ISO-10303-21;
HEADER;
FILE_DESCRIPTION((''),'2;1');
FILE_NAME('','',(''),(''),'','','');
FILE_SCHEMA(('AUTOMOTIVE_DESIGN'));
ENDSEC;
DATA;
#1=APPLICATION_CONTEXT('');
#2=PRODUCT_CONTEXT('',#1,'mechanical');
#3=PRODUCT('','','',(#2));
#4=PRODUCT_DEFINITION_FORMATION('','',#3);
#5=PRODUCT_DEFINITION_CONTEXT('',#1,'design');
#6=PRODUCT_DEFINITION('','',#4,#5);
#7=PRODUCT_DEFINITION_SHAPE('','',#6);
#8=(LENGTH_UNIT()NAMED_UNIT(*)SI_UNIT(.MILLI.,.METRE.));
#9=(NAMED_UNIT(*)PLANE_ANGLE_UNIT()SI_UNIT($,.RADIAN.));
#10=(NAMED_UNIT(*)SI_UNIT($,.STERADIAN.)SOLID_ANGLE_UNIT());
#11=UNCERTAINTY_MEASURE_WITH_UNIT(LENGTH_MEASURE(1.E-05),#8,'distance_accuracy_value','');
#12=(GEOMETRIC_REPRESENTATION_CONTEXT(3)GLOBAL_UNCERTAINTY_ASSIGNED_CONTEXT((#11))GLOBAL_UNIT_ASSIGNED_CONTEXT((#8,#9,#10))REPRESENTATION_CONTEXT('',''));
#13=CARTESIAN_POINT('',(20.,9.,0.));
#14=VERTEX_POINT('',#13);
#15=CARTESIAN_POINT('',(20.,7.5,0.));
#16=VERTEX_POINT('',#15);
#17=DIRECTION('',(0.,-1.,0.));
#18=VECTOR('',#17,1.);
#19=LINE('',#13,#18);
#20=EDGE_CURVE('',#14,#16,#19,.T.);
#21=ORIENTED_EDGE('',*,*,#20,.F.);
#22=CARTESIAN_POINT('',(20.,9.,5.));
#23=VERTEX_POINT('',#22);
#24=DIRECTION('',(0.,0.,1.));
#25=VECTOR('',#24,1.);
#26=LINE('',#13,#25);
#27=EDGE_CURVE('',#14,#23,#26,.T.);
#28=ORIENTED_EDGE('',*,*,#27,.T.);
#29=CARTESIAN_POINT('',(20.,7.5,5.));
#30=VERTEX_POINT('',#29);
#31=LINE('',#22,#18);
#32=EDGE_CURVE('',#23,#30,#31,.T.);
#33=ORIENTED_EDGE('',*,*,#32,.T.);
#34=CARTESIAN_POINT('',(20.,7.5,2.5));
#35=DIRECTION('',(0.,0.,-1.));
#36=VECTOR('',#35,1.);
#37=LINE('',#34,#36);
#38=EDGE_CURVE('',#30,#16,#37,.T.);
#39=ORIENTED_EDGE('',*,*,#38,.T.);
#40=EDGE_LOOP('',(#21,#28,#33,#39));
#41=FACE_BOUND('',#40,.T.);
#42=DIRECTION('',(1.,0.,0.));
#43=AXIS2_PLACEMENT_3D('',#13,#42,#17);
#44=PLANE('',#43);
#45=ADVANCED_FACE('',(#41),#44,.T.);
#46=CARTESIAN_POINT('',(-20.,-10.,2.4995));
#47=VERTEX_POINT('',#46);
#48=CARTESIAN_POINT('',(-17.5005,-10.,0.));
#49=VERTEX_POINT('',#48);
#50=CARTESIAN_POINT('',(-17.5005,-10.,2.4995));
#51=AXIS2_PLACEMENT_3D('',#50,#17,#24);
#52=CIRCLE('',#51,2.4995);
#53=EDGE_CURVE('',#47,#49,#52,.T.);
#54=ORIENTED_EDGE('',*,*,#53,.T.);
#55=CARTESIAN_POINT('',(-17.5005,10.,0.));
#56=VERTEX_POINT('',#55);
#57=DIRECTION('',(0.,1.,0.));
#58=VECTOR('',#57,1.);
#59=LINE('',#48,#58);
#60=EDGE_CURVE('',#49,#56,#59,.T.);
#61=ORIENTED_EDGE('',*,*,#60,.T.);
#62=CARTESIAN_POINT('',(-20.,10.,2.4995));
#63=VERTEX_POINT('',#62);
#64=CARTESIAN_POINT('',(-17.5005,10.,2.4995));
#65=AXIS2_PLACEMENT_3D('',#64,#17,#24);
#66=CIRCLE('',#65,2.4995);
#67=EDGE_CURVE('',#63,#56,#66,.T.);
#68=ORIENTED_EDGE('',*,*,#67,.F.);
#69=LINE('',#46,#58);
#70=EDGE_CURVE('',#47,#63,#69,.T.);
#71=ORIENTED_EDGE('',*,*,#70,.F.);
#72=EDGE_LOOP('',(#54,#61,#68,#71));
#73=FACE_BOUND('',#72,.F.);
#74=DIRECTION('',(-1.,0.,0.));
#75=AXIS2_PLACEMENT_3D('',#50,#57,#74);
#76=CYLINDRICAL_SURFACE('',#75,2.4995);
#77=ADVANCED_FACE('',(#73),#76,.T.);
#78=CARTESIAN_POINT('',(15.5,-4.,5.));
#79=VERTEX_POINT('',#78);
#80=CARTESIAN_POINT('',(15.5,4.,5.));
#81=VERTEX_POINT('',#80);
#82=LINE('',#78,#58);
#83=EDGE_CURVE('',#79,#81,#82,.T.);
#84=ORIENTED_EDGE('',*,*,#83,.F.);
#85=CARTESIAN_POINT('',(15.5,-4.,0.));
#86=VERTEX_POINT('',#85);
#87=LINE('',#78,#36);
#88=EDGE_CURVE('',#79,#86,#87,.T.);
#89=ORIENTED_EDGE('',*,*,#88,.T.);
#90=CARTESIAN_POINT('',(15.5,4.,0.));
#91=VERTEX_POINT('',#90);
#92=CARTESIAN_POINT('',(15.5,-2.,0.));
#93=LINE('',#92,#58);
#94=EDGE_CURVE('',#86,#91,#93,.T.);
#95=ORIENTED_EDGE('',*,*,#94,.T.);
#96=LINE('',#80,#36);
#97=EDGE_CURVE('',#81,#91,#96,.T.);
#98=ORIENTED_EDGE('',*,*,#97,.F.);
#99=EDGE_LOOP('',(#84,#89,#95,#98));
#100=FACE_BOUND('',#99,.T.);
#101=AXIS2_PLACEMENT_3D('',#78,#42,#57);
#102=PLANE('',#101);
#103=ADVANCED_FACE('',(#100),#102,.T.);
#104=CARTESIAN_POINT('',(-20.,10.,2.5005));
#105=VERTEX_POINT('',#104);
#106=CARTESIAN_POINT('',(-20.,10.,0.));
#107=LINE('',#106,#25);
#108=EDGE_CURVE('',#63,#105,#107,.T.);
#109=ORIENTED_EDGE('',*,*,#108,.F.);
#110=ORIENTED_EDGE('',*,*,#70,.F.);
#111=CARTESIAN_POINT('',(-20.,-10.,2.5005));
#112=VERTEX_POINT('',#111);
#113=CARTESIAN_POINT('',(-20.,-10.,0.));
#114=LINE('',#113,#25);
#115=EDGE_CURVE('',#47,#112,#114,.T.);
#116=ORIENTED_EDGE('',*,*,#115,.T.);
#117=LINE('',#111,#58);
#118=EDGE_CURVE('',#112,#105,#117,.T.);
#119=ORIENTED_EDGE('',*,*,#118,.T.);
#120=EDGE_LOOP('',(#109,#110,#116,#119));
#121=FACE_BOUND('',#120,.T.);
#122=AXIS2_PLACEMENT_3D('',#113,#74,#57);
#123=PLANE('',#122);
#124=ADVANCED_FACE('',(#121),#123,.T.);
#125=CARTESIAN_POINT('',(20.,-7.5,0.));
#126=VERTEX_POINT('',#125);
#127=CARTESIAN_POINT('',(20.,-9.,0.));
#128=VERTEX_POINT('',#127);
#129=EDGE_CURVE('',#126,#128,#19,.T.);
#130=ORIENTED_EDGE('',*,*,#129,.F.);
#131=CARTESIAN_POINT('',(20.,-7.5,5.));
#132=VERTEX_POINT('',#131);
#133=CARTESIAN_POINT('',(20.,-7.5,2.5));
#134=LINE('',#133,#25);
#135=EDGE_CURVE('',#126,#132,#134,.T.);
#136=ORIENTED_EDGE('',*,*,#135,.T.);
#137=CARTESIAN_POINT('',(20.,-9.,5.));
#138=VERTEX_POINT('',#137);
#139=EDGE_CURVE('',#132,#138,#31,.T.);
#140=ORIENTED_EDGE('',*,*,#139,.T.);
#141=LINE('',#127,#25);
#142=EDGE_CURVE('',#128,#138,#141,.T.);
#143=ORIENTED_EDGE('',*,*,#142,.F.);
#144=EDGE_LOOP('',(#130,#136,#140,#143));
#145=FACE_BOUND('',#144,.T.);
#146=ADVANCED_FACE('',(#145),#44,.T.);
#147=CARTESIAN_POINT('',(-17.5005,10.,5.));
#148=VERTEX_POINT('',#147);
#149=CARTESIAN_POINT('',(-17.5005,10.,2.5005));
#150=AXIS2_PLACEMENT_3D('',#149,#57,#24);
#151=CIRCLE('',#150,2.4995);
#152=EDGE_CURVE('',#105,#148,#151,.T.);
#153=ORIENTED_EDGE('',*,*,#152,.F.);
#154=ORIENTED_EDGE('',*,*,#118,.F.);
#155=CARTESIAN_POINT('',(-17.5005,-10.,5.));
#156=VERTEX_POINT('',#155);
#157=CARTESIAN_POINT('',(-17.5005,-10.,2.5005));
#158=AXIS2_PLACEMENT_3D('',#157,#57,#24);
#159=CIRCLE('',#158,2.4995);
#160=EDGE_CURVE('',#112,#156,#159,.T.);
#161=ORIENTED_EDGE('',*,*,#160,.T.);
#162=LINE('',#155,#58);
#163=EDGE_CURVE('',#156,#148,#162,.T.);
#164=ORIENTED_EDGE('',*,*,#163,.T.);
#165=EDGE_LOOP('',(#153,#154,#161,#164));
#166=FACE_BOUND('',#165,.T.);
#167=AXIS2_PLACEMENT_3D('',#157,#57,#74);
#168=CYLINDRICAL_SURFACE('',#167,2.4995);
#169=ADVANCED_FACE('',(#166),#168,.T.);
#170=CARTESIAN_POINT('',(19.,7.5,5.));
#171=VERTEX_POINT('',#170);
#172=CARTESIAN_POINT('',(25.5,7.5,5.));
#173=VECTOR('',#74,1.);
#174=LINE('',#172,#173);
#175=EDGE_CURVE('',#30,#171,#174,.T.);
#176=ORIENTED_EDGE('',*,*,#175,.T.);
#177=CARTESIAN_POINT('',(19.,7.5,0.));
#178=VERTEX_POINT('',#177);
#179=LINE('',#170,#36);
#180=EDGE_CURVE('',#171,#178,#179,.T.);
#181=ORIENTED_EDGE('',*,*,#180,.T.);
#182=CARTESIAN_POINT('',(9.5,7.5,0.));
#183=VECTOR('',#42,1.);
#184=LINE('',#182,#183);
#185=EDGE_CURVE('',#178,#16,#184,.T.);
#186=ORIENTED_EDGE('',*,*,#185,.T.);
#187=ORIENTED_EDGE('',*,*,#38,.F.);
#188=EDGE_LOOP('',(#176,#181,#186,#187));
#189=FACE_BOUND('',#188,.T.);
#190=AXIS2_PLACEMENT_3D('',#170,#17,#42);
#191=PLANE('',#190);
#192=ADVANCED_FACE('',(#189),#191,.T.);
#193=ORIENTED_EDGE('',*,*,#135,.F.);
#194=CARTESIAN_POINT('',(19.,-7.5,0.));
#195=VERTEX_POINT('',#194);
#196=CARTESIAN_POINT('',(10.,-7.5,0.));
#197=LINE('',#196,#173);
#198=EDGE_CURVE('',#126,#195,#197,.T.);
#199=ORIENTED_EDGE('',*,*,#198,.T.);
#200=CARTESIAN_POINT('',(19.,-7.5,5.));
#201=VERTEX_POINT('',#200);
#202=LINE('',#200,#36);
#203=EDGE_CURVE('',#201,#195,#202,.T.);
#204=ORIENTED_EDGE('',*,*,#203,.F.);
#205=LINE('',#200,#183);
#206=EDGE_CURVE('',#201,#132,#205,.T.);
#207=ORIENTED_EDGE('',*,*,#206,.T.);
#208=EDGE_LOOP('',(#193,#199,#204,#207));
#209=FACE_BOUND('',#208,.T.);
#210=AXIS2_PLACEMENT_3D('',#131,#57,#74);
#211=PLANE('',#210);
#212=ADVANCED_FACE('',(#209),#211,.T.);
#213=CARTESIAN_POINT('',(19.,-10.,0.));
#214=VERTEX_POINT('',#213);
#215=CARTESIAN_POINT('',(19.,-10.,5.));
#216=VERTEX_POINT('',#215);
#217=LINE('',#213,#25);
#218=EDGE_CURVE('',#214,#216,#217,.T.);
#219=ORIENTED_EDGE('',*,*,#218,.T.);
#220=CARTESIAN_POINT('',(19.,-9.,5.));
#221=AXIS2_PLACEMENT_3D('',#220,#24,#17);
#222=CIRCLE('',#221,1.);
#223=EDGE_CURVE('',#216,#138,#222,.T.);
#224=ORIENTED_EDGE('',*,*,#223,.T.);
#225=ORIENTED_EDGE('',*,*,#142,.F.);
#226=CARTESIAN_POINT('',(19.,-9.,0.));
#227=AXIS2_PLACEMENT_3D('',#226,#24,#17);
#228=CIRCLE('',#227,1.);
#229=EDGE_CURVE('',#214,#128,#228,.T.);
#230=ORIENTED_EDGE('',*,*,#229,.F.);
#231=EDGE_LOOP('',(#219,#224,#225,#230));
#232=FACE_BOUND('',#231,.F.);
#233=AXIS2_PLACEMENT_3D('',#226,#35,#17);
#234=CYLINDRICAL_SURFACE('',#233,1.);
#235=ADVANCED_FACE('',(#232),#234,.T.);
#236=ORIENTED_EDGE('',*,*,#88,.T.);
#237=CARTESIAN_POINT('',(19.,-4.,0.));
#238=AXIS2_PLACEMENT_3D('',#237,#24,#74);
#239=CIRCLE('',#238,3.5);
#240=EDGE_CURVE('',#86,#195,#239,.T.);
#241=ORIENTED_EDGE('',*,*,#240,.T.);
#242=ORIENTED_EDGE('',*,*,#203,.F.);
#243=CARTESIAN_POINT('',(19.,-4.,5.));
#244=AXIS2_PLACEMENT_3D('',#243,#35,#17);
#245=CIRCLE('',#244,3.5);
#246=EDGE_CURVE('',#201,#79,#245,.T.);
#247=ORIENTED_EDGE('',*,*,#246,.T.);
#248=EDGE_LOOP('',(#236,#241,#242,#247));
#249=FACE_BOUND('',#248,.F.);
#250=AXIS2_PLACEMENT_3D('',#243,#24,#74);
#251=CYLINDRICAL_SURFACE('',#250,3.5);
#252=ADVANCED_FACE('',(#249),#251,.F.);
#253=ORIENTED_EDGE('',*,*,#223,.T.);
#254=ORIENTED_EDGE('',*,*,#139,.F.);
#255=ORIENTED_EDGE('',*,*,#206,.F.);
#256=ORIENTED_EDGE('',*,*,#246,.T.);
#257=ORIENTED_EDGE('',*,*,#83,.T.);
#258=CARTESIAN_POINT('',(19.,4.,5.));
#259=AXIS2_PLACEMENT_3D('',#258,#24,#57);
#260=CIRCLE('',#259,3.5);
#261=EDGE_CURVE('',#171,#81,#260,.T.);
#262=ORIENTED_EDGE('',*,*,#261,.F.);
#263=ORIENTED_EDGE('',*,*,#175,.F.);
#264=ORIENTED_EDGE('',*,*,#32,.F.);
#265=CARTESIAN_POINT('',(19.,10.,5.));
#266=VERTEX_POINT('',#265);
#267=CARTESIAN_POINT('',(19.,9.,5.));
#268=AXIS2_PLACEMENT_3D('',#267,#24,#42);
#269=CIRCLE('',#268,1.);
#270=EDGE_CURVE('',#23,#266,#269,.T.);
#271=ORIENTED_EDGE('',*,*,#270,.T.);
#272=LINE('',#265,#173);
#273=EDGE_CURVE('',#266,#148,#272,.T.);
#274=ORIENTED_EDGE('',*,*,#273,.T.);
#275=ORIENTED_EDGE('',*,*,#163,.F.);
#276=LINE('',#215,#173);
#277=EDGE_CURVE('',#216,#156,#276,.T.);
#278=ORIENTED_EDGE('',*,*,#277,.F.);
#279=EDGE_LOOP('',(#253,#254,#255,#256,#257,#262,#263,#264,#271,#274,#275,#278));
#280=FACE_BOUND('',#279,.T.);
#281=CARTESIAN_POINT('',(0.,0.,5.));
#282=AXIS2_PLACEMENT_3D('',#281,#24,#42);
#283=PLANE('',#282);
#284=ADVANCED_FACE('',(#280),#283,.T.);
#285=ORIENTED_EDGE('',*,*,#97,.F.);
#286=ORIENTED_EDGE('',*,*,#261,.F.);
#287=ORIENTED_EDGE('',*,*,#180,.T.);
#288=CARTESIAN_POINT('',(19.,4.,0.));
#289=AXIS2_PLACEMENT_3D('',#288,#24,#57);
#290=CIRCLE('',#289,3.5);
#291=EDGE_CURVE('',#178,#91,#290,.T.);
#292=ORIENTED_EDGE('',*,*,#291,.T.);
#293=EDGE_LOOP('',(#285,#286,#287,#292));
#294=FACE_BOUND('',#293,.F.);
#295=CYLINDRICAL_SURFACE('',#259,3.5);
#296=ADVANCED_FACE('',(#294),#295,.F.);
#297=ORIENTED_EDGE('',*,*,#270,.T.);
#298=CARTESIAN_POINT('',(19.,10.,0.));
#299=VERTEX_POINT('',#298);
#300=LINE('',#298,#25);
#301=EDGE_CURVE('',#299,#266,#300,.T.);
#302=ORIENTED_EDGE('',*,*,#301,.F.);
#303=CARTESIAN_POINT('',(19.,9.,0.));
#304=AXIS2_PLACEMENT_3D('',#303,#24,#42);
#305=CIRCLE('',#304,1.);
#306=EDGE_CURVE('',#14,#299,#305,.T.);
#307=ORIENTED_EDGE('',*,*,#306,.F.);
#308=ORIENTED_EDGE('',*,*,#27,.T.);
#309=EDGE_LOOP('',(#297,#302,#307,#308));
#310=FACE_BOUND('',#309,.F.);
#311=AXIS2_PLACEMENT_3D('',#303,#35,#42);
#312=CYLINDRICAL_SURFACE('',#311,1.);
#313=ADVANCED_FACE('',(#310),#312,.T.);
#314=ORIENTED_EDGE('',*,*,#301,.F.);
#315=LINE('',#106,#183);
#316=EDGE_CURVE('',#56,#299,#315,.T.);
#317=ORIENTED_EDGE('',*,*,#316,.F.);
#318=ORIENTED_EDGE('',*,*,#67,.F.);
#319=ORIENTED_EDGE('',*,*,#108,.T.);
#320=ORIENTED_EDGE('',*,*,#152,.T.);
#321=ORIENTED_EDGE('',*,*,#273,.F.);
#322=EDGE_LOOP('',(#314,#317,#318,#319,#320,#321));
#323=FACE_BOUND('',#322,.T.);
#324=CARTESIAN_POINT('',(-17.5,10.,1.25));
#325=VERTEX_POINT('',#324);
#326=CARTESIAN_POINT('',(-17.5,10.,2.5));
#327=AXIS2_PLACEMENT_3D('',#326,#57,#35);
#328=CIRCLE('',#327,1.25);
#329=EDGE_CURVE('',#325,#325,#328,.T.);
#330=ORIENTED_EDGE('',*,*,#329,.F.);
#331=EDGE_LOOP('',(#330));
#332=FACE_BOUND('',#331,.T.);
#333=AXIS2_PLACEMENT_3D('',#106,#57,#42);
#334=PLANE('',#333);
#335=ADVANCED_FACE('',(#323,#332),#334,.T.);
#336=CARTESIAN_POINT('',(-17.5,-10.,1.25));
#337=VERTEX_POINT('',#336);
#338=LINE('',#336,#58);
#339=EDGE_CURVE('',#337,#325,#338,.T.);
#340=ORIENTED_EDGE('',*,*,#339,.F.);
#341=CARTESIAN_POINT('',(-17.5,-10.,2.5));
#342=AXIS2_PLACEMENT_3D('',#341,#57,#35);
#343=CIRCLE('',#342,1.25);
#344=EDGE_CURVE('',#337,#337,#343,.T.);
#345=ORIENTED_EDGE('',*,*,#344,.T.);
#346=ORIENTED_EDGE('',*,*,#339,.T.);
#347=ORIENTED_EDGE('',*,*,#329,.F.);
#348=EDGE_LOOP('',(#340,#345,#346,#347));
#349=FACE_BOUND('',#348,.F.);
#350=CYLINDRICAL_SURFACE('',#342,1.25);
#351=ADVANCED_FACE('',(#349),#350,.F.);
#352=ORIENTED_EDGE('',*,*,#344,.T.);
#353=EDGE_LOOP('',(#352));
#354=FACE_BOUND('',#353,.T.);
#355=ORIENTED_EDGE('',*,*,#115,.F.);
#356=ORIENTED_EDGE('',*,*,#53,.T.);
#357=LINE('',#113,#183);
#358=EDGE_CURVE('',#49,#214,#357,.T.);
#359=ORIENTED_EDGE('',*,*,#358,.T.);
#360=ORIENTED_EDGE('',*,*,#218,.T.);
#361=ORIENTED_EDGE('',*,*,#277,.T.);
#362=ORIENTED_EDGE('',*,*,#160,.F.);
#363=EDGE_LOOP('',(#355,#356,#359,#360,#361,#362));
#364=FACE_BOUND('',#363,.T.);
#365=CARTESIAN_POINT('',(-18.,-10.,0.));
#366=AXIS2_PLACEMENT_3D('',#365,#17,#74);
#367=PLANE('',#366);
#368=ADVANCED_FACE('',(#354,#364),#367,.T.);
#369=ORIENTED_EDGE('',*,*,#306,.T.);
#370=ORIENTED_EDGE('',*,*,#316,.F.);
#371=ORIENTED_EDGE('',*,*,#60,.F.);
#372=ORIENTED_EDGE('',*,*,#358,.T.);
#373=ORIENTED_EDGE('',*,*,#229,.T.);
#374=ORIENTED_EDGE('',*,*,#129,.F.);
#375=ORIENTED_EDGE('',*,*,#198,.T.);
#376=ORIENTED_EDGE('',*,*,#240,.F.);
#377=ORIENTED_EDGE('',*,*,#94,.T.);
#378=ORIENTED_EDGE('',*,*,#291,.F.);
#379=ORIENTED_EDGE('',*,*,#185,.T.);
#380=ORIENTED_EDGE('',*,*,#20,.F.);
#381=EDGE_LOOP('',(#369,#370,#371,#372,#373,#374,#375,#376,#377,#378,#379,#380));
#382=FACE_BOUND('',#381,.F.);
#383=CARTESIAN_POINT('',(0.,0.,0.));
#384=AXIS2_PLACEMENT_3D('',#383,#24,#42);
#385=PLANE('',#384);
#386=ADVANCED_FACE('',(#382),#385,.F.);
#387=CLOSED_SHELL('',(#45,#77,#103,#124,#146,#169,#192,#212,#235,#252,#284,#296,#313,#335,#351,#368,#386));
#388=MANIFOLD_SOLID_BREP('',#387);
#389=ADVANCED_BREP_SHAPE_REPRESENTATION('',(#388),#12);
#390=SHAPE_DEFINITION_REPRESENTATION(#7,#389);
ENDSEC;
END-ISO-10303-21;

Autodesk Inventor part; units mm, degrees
ref_plane "YZ Plane" through (0, 0, 0) normal (1, 0, 0) x (0, 1, 0)
ref_plane "XZ Plane" through (0, 0, 0) normal (0, 1, 0) x (-1, 0, 0)
ref_plane "XY Plane" through (0, 0, 0) normal (0, 0, 1) x (1, 0, 0)
sketch "Boceto1" plane through (0, 0, 0) normal (0, 0, 1) x (1, 0, 0)
  line L0 (19, -10.5) -> (-20.5, -10.5) projected
  arc A0 (19, -10.5) -> (20.5, -9) centre (19, -9) ccw projected
  line L1 (20.5, 9) -> (20.5, -9) projected
  arc A1 (20.5, 9) -> (19, 10.5) centre (19, 9) ccw projected
  line L2 (-20.5, 10.5) -> (19, 10.5) projected
  line L3 (-20.5, -10.5) -> (-20.5, 10.5) projected
  line L4 (-21, -11) -> (19, -11)
  arc A2 (19, -11) -> (21, -9) centre (19, -9) ccw
  line L5 (21, -9) -> (21, 9)
  arc A3 (21, 9) -> (19, 11) centre (19, 9) ccw
  line L6 (19, 11) -> (-21, 11)
  line L7 (-21, 11) -> (-21, -11)
  spline S0 degree 3 poles (-19.1456, -15) (-19.0838, -15) (-18.9941, -14.9843) (-18.7809, -14.9428) (-18.6401, -14.9132) (-18.3299, -14.8682) (-18.1603, -14.854) (-18, -14.854) (-17.8397, -14.854) (-17.6701, -14.8682) (-17.3599, -14.9132) (-17.2191, -14.9428) (-17.0059, -14.9843) (-16.9162, -15) (-16.8544, -15) knots 0.670558 0.670558 0.670558 0.670558 0.714606 0.714606 0.762709 0.762709 0.810813 0.810813 0.810813 0.858917 0.858917 0.907021 0.907021 0.951069 0.951069 0.951069 0.951069 projected
  line L8 (-16.75, -15) -> (-19.25, -15) projected
  line L9 (-16.75, -15) -> (-19.25, -15) projected
  spline S1 degree 3 poles (-19.1456, -15) (-19.0838, -15) (-18.9941, -14.9843) (-18.7809, -14.9428) (-18.6401, -14.9132) (-18.3299, -14.8682) (-18.1603, -14.854) (-18, -14.854) (-17.8397, -14.854) (-17.6701, -14.8682) (-17.3599, -14.9132) (-17.2191, -14.9428) (-17.0059, -14.9843) (-16.9162, -15) (-16.8544, -15) knots 0.670558 0.670558 0.670558 0.670558 0.714606 0.714606 0.762709 0.762709 0.810813 0.810813 0.810813 0.858917 0.858917 0.907021 0.907021 0.951069 0.951069 0.951069 0.951069 projected
  line L10 (-16.75, -15) -> (-19.25, -15) projected
  line L11 (-18, -15) -> (-18, 10.5)
  line L12 (-18, -10.5) -> (-20, -10.5)
  line L13 (-20, -10.5) -> (-20, 10.5)
  arc A4 (20, 9) -> (19, 10) centre (19, 9) ccw
  line L14 (20, 9) -> (20, -9)
  arc A5 (19, -10) -> (20, -9) centre (19, -9) ccw
  line L15 (19, -10) -> (-20, -10)
  line L16 (-20, -10) -> (-20, 10)
  line L17 (-20, 10) -> (19, 10)
  point P0 (0, 0)
  point P1 (-18, 10)
  point P2 (-20, 10)
  dimension "d0" = 0.5
  dimension "d1" = 2
  dimension "d25" = 0.5
extrude "Extrusión1" add sketch "Boceto1" along normal blind 5 contours L15 L13 L17 L11 | L11 L17 A4 L14 A5 L15
fillet "Empalme1" radius 2.5 2 edges at (-20, 0, 5) (-20, 0, 0)
sketch "Boceto4" plane through (0, 0, 5) normal (0, 0, 1) x (1, 0, 0)
  line L0 (-17.5, -10) -> (-17.5, 10) projected
  line L1 (18.5, 10.5) -> (19, 10.5) projected
  line L2 (18.5, 10.5) -> (18.5, -10.5) projected
  line L3 (19, -10.5) -> (18.5, -10.5) projected
  line L4 (18.5, -10.5) -> (19, -10.5) projected
  line L5 (18.5, 10.5) -> (18.5, -10.5) projected
  line L6 (19, 10.5) -> (18.5, 10.5) projected
  line L7 (20.5, 9) -> (20.5, -9)
  line L8 (25.5, -7.5) -> (19, -7.5)
  line L9 (15.5, -4) -> (15.5, 4)
  line L10 (19, 7.5) -> (25.5, 7.5)
  line L11 (25.5, 7.5) -> (25.5, -7.5)
  line L12 (25.5, -7.5) -> (15.5, 7.5) construction
  line L13 (15.5, -7.5) -> (25.5, 7.5) construction
  arc A0 (19, 7.5) -> (15.5, 4) centre (19, 4) ccw
  arc A1 (15.5, -4) -> (19, -7.5) centre (19, -4) ccw
  line L14 (-17.5, -10) -> (19, -10) projected
  arc A2 (19, -10) -> (20, -9) centre (19, -9) ccw projected
  line L15 (20, -9) -> (20, 9) projected
  arc A3 (20, 9) -> (19, 10) centre (19, 9) ccw projected
  line L16 (19, 10) -> (-17.5, 10) projected
  point P0 (0, 0)
  point P1 (20.5, 0)
  point P2 (20.5, -7.5)
  point P3 (20.5, 7.5)
  point P4 (18.5, -7.4641)
  point P5 (18.5, 7.4641)
  point P6 (20, -7.5)
  point P7 (18.5, -10)
  point P8 (20.5, 7.5)
  point P9 (20.5, -7.5)
  point P10 (18.5, 10)
  point P11 (20, 7.5)
  point P12 (20, 7.5)
  point P13 (20, -7.5)
  dimension "d15" = 10
  dimension "d16" = 15
  dimension "d17" = 3.5
extrude "Extrusión3" cut sketch "Boceto4" against normal blind 10 contours A1 L9 A0 L2 | L2 A0 L10 L15 L8 A1 | L15 L10 L7 L8 | L7 L10 L11 L8
sketch "Boceto6" plane through (19, -10, 0) normal (0, -1, 0) x (1, 0, 0)
  arc A0 (-36.5, 5) -> (-36.5, 0) centre (-36.5, 2.5) ccw projected
  point P0 (-19, 0)
  point P1 (-39, 3)
hole "Agujero2" at (-17.5, -10, 2.5) direction (0, 1, 0) diameter 2.5 end through all
properties part number "Brazo2_2"
